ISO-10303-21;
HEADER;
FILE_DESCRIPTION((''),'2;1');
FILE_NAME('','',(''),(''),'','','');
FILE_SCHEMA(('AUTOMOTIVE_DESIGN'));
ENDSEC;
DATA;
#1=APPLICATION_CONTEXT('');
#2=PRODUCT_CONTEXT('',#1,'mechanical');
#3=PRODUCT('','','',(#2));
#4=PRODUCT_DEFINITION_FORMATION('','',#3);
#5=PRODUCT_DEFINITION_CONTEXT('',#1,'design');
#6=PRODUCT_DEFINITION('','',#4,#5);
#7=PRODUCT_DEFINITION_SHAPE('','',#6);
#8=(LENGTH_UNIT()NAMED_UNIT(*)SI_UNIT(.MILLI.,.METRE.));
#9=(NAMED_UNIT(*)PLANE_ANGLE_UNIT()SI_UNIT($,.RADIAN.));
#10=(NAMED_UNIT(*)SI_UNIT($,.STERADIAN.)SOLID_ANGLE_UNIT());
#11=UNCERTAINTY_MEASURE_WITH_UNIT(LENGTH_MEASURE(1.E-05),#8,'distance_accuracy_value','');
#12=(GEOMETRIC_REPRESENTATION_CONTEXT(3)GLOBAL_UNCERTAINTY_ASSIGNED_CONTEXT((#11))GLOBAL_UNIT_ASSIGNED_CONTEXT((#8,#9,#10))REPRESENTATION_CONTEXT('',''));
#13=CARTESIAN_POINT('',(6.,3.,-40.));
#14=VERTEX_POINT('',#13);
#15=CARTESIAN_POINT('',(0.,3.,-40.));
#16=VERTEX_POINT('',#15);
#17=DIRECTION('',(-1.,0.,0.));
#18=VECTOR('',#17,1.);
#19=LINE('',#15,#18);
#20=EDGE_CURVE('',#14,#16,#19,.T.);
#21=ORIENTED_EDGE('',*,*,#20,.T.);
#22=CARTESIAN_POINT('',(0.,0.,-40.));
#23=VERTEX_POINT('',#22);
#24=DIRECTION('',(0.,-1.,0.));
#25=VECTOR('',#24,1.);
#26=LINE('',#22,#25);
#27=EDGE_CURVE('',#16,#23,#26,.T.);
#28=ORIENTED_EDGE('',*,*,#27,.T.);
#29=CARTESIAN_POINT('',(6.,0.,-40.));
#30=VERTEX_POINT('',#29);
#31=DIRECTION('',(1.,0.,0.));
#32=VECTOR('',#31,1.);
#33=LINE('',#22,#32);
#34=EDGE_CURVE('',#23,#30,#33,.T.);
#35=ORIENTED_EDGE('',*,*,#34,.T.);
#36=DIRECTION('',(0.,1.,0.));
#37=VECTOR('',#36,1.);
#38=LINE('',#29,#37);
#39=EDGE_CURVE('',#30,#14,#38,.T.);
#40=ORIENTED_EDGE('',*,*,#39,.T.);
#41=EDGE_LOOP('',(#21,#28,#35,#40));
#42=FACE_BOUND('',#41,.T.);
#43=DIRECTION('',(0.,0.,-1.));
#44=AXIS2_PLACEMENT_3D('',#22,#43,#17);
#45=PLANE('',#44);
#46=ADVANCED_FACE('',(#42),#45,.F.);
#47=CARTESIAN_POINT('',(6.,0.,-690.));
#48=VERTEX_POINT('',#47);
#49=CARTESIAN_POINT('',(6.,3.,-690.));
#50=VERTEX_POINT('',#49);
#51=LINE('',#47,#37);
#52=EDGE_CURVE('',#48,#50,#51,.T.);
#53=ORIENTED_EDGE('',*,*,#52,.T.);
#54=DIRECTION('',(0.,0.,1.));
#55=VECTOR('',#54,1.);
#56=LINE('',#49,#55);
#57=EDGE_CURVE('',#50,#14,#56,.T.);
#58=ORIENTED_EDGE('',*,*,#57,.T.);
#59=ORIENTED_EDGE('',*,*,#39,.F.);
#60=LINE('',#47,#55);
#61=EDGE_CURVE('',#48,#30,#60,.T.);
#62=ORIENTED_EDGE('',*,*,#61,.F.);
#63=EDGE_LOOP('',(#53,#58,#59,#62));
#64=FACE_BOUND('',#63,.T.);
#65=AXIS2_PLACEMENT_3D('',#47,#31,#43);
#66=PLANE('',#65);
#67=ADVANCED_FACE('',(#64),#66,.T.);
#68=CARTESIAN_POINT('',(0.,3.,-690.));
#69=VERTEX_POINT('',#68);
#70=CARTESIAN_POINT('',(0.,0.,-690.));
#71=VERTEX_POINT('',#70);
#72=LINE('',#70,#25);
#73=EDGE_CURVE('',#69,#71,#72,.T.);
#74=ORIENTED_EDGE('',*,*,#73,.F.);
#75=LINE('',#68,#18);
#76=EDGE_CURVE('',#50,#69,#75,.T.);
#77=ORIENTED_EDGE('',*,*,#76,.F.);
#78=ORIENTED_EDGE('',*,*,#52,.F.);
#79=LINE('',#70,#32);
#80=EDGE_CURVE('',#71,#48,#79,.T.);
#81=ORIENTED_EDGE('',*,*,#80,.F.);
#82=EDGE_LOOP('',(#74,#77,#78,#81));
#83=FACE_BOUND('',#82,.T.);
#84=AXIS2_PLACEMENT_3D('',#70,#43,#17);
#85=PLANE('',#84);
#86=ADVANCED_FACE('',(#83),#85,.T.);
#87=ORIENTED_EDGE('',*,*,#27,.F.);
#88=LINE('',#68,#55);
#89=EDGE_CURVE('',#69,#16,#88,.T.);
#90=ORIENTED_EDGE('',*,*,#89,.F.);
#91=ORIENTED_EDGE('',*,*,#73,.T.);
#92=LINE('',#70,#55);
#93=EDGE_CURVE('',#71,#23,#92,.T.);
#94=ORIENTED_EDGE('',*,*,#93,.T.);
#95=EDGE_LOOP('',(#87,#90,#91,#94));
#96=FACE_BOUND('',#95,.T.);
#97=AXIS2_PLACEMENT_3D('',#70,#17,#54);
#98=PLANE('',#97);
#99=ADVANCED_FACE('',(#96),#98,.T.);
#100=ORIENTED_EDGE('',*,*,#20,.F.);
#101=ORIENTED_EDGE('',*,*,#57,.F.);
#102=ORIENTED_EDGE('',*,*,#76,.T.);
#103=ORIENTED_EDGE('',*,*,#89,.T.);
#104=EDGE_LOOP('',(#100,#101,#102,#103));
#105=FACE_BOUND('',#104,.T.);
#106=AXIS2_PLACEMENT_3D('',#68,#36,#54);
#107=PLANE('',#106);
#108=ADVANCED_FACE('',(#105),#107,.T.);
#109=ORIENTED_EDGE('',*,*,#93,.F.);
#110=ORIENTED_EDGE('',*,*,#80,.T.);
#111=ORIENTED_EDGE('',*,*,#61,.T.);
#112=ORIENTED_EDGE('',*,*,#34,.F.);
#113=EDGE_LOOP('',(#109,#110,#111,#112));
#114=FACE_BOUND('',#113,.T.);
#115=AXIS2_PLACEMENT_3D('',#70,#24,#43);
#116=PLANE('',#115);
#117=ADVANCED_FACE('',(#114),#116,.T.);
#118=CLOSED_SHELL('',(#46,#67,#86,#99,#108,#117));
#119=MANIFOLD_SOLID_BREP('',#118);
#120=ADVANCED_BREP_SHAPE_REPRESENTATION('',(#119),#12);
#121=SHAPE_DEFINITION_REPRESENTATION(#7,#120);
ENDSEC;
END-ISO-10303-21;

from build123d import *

# Parameters (mm, degrees)
KAYIS_GT3_6X3X650_1_START = -40
SKETCH1_W                 = 6
SKETCH1_H                 = 3
KAYIS_GT3_6X3X650_1_DEPTH = 650


with BuildPart() as part:
    # Sketch1 → KAYIS_GT3_6x3x650_1 (new body)
    with BuildSketch(Plane.XY.offset(KAYIS_GT3_6X3X650_1_START)):
        with Locations((3, 1.5)):
            Rectangle(SKETCH1_W, SKETCH1_H)
    extrude(amount=-KAYIS_GT3_6X3X650_1_DEPTH)


solid = part.part
